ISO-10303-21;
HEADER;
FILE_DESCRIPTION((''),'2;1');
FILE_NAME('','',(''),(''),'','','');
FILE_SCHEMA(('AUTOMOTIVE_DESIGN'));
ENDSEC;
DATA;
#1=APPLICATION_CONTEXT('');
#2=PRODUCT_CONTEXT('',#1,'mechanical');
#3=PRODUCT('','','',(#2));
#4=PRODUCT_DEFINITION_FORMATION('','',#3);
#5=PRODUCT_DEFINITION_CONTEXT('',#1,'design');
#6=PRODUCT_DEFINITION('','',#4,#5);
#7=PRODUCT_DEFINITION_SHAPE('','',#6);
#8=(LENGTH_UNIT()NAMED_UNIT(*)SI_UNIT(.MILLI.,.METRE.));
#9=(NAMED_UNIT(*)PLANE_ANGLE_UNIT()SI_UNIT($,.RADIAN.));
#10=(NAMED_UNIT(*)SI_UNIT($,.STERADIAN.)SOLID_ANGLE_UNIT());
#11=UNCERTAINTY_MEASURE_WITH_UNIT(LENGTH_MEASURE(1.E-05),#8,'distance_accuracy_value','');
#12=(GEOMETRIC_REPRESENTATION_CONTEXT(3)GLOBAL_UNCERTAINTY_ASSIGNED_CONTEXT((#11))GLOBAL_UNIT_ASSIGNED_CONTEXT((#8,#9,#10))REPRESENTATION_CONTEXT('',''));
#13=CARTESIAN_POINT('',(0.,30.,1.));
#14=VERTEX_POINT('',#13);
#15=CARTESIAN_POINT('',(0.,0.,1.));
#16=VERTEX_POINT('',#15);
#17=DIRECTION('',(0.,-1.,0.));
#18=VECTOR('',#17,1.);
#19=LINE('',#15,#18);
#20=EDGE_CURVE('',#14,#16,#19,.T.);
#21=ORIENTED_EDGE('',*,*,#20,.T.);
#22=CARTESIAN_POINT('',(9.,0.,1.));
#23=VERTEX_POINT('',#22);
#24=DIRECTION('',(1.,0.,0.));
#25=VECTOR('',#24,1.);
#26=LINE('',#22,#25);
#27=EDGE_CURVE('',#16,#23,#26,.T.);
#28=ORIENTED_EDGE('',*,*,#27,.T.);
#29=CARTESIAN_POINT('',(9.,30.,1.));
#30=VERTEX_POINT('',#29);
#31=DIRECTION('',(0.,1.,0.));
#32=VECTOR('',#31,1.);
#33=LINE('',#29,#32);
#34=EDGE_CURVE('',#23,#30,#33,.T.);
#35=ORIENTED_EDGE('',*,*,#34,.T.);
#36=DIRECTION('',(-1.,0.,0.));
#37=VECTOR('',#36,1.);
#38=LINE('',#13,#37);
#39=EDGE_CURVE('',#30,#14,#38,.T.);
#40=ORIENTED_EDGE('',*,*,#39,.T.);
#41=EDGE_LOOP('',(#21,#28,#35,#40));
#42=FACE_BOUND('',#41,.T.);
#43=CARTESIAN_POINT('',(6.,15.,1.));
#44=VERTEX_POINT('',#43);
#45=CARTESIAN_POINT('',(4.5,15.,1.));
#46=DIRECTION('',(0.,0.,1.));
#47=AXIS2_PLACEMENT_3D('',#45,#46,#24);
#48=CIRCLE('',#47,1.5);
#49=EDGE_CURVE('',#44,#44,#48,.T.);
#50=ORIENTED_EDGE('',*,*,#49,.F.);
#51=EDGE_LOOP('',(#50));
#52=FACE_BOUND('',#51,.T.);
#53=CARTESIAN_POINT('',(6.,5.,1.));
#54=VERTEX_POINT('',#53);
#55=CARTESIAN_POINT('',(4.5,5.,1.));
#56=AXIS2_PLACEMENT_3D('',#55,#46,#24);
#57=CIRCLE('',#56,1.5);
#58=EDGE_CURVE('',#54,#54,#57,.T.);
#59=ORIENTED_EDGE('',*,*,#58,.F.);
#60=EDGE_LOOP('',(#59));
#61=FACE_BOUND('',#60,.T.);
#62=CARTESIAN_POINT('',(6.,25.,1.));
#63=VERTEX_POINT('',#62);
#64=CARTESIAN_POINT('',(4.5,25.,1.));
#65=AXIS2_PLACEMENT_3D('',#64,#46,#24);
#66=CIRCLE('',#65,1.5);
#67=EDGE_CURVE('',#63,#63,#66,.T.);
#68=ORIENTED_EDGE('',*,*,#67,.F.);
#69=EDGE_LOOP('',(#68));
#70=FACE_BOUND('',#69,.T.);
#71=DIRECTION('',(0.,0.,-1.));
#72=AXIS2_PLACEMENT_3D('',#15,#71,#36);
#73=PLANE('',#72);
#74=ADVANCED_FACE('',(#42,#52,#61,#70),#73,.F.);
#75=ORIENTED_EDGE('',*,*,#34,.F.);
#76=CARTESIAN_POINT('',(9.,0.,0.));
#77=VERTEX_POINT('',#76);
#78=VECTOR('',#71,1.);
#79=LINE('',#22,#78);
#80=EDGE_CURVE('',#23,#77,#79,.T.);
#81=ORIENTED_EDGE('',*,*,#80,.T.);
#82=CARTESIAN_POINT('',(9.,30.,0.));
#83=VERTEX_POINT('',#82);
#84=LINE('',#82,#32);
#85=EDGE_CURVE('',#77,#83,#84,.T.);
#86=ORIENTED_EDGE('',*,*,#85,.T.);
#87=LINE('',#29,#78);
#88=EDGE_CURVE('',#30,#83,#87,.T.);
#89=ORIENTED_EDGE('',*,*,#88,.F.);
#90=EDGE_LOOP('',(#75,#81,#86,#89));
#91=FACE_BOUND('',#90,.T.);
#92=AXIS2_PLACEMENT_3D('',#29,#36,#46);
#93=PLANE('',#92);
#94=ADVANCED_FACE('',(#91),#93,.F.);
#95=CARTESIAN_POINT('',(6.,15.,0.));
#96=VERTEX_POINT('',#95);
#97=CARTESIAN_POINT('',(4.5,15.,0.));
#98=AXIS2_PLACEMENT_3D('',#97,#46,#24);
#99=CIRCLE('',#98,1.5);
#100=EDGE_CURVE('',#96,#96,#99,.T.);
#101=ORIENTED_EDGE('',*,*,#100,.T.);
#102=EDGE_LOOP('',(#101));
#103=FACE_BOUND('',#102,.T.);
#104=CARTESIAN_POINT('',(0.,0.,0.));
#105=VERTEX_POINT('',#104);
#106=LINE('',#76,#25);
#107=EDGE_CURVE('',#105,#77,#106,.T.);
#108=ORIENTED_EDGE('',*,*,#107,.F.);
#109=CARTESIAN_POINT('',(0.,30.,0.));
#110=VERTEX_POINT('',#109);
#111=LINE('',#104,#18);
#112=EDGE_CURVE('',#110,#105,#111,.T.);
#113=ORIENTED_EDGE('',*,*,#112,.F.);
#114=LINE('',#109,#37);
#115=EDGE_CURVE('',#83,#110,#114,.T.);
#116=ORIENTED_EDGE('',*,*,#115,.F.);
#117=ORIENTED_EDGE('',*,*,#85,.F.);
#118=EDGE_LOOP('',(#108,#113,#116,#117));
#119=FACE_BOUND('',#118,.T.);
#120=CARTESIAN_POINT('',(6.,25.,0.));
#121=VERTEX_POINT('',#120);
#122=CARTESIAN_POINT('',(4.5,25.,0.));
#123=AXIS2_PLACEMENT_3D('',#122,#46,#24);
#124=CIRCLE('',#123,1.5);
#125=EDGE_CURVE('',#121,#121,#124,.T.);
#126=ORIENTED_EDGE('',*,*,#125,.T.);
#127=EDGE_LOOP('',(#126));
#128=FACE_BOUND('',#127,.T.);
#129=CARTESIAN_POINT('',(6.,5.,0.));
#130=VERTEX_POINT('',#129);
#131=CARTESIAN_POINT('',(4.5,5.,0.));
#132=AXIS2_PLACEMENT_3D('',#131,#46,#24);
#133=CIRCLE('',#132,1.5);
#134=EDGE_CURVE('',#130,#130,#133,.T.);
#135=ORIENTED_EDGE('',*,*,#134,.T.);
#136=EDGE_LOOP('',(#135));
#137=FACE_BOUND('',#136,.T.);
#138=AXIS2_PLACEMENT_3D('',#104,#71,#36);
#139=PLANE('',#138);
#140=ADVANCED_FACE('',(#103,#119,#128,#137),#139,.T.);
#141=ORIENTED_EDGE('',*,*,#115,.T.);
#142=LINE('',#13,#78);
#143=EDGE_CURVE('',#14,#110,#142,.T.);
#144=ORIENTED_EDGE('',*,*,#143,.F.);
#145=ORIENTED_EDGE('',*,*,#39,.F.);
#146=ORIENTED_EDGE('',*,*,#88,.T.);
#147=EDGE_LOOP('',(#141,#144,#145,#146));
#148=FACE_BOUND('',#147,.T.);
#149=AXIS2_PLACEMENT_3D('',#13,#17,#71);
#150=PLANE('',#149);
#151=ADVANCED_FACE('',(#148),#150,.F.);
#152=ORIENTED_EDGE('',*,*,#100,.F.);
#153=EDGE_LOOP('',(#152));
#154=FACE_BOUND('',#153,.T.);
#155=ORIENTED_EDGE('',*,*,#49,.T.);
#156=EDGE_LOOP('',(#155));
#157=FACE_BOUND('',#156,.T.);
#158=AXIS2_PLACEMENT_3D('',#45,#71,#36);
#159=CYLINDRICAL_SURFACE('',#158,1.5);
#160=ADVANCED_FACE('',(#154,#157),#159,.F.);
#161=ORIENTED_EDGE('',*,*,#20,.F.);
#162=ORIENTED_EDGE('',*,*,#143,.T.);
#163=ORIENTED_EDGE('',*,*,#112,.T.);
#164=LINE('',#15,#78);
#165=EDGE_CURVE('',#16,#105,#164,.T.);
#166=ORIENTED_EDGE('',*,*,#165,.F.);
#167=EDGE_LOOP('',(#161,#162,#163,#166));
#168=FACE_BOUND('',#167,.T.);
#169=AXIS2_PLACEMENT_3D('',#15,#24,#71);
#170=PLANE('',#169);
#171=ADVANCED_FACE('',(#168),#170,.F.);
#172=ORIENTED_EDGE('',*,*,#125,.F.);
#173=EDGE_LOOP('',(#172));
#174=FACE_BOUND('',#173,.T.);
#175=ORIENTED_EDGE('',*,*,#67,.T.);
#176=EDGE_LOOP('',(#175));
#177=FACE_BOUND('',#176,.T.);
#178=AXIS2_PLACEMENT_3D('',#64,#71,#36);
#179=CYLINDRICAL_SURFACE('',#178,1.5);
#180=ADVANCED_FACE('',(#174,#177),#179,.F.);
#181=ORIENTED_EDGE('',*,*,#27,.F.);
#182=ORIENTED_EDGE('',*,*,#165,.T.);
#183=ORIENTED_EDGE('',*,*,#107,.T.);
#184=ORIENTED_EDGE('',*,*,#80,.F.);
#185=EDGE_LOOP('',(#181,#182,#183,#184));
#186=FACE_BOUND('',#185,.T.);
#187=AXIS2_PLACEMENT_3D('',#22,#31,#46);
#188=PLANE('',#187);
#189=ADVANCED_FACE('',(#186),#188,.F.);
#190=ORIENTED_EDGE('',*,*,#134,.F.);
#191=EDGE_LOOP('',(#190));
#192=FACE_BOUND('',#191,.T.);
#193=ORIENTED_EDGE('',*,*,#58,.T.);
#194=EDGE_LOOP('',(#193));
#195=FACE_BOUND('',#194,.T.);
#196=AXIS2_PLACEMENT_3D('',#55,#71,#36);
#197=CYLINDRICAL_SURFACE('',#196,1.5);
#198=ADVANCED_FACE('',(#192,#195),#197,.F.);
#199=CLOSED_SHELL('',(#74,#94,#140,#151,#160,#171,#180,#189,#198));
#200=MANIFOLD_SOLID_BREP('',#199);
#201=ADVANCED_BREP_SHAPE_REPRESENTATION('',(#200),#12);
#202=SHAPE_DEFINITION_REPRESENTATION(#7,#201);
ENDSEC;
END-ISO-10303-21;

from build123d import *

# Parameters (mm, degrees)
CROQUIS1_W              = 9
CROQUIS1_H              = 30
CROQUIS1_R              = 1.5
SALIENTE_EXTRUIR1_DEPTH = 1


with BuildPart() as part:
    # Croquis1 → Saliente-Extruir1 (new body)
    with BuildSketch(Plane.XY):
        with Locations((4.5, 15)):
            Rectangle(CROQUIS1_W, CROQUIS1_H)
        with Locations((4.5, 25)):
            Circle(CROQUIS1_R, mode=Mode.SUBTRACT)
        with Locations((4.5, 15)):
            Circle(CROQUIS1_R, mode=Mode.SUBTRACT)
        with Locations((4.5, 5)):
            Circle(CROQUIS1_R, mode=Mode.SUBTRACT)
    extrude(amount=SALIENTE_EXTRUIR1_DEPTH)


solid = part.part
